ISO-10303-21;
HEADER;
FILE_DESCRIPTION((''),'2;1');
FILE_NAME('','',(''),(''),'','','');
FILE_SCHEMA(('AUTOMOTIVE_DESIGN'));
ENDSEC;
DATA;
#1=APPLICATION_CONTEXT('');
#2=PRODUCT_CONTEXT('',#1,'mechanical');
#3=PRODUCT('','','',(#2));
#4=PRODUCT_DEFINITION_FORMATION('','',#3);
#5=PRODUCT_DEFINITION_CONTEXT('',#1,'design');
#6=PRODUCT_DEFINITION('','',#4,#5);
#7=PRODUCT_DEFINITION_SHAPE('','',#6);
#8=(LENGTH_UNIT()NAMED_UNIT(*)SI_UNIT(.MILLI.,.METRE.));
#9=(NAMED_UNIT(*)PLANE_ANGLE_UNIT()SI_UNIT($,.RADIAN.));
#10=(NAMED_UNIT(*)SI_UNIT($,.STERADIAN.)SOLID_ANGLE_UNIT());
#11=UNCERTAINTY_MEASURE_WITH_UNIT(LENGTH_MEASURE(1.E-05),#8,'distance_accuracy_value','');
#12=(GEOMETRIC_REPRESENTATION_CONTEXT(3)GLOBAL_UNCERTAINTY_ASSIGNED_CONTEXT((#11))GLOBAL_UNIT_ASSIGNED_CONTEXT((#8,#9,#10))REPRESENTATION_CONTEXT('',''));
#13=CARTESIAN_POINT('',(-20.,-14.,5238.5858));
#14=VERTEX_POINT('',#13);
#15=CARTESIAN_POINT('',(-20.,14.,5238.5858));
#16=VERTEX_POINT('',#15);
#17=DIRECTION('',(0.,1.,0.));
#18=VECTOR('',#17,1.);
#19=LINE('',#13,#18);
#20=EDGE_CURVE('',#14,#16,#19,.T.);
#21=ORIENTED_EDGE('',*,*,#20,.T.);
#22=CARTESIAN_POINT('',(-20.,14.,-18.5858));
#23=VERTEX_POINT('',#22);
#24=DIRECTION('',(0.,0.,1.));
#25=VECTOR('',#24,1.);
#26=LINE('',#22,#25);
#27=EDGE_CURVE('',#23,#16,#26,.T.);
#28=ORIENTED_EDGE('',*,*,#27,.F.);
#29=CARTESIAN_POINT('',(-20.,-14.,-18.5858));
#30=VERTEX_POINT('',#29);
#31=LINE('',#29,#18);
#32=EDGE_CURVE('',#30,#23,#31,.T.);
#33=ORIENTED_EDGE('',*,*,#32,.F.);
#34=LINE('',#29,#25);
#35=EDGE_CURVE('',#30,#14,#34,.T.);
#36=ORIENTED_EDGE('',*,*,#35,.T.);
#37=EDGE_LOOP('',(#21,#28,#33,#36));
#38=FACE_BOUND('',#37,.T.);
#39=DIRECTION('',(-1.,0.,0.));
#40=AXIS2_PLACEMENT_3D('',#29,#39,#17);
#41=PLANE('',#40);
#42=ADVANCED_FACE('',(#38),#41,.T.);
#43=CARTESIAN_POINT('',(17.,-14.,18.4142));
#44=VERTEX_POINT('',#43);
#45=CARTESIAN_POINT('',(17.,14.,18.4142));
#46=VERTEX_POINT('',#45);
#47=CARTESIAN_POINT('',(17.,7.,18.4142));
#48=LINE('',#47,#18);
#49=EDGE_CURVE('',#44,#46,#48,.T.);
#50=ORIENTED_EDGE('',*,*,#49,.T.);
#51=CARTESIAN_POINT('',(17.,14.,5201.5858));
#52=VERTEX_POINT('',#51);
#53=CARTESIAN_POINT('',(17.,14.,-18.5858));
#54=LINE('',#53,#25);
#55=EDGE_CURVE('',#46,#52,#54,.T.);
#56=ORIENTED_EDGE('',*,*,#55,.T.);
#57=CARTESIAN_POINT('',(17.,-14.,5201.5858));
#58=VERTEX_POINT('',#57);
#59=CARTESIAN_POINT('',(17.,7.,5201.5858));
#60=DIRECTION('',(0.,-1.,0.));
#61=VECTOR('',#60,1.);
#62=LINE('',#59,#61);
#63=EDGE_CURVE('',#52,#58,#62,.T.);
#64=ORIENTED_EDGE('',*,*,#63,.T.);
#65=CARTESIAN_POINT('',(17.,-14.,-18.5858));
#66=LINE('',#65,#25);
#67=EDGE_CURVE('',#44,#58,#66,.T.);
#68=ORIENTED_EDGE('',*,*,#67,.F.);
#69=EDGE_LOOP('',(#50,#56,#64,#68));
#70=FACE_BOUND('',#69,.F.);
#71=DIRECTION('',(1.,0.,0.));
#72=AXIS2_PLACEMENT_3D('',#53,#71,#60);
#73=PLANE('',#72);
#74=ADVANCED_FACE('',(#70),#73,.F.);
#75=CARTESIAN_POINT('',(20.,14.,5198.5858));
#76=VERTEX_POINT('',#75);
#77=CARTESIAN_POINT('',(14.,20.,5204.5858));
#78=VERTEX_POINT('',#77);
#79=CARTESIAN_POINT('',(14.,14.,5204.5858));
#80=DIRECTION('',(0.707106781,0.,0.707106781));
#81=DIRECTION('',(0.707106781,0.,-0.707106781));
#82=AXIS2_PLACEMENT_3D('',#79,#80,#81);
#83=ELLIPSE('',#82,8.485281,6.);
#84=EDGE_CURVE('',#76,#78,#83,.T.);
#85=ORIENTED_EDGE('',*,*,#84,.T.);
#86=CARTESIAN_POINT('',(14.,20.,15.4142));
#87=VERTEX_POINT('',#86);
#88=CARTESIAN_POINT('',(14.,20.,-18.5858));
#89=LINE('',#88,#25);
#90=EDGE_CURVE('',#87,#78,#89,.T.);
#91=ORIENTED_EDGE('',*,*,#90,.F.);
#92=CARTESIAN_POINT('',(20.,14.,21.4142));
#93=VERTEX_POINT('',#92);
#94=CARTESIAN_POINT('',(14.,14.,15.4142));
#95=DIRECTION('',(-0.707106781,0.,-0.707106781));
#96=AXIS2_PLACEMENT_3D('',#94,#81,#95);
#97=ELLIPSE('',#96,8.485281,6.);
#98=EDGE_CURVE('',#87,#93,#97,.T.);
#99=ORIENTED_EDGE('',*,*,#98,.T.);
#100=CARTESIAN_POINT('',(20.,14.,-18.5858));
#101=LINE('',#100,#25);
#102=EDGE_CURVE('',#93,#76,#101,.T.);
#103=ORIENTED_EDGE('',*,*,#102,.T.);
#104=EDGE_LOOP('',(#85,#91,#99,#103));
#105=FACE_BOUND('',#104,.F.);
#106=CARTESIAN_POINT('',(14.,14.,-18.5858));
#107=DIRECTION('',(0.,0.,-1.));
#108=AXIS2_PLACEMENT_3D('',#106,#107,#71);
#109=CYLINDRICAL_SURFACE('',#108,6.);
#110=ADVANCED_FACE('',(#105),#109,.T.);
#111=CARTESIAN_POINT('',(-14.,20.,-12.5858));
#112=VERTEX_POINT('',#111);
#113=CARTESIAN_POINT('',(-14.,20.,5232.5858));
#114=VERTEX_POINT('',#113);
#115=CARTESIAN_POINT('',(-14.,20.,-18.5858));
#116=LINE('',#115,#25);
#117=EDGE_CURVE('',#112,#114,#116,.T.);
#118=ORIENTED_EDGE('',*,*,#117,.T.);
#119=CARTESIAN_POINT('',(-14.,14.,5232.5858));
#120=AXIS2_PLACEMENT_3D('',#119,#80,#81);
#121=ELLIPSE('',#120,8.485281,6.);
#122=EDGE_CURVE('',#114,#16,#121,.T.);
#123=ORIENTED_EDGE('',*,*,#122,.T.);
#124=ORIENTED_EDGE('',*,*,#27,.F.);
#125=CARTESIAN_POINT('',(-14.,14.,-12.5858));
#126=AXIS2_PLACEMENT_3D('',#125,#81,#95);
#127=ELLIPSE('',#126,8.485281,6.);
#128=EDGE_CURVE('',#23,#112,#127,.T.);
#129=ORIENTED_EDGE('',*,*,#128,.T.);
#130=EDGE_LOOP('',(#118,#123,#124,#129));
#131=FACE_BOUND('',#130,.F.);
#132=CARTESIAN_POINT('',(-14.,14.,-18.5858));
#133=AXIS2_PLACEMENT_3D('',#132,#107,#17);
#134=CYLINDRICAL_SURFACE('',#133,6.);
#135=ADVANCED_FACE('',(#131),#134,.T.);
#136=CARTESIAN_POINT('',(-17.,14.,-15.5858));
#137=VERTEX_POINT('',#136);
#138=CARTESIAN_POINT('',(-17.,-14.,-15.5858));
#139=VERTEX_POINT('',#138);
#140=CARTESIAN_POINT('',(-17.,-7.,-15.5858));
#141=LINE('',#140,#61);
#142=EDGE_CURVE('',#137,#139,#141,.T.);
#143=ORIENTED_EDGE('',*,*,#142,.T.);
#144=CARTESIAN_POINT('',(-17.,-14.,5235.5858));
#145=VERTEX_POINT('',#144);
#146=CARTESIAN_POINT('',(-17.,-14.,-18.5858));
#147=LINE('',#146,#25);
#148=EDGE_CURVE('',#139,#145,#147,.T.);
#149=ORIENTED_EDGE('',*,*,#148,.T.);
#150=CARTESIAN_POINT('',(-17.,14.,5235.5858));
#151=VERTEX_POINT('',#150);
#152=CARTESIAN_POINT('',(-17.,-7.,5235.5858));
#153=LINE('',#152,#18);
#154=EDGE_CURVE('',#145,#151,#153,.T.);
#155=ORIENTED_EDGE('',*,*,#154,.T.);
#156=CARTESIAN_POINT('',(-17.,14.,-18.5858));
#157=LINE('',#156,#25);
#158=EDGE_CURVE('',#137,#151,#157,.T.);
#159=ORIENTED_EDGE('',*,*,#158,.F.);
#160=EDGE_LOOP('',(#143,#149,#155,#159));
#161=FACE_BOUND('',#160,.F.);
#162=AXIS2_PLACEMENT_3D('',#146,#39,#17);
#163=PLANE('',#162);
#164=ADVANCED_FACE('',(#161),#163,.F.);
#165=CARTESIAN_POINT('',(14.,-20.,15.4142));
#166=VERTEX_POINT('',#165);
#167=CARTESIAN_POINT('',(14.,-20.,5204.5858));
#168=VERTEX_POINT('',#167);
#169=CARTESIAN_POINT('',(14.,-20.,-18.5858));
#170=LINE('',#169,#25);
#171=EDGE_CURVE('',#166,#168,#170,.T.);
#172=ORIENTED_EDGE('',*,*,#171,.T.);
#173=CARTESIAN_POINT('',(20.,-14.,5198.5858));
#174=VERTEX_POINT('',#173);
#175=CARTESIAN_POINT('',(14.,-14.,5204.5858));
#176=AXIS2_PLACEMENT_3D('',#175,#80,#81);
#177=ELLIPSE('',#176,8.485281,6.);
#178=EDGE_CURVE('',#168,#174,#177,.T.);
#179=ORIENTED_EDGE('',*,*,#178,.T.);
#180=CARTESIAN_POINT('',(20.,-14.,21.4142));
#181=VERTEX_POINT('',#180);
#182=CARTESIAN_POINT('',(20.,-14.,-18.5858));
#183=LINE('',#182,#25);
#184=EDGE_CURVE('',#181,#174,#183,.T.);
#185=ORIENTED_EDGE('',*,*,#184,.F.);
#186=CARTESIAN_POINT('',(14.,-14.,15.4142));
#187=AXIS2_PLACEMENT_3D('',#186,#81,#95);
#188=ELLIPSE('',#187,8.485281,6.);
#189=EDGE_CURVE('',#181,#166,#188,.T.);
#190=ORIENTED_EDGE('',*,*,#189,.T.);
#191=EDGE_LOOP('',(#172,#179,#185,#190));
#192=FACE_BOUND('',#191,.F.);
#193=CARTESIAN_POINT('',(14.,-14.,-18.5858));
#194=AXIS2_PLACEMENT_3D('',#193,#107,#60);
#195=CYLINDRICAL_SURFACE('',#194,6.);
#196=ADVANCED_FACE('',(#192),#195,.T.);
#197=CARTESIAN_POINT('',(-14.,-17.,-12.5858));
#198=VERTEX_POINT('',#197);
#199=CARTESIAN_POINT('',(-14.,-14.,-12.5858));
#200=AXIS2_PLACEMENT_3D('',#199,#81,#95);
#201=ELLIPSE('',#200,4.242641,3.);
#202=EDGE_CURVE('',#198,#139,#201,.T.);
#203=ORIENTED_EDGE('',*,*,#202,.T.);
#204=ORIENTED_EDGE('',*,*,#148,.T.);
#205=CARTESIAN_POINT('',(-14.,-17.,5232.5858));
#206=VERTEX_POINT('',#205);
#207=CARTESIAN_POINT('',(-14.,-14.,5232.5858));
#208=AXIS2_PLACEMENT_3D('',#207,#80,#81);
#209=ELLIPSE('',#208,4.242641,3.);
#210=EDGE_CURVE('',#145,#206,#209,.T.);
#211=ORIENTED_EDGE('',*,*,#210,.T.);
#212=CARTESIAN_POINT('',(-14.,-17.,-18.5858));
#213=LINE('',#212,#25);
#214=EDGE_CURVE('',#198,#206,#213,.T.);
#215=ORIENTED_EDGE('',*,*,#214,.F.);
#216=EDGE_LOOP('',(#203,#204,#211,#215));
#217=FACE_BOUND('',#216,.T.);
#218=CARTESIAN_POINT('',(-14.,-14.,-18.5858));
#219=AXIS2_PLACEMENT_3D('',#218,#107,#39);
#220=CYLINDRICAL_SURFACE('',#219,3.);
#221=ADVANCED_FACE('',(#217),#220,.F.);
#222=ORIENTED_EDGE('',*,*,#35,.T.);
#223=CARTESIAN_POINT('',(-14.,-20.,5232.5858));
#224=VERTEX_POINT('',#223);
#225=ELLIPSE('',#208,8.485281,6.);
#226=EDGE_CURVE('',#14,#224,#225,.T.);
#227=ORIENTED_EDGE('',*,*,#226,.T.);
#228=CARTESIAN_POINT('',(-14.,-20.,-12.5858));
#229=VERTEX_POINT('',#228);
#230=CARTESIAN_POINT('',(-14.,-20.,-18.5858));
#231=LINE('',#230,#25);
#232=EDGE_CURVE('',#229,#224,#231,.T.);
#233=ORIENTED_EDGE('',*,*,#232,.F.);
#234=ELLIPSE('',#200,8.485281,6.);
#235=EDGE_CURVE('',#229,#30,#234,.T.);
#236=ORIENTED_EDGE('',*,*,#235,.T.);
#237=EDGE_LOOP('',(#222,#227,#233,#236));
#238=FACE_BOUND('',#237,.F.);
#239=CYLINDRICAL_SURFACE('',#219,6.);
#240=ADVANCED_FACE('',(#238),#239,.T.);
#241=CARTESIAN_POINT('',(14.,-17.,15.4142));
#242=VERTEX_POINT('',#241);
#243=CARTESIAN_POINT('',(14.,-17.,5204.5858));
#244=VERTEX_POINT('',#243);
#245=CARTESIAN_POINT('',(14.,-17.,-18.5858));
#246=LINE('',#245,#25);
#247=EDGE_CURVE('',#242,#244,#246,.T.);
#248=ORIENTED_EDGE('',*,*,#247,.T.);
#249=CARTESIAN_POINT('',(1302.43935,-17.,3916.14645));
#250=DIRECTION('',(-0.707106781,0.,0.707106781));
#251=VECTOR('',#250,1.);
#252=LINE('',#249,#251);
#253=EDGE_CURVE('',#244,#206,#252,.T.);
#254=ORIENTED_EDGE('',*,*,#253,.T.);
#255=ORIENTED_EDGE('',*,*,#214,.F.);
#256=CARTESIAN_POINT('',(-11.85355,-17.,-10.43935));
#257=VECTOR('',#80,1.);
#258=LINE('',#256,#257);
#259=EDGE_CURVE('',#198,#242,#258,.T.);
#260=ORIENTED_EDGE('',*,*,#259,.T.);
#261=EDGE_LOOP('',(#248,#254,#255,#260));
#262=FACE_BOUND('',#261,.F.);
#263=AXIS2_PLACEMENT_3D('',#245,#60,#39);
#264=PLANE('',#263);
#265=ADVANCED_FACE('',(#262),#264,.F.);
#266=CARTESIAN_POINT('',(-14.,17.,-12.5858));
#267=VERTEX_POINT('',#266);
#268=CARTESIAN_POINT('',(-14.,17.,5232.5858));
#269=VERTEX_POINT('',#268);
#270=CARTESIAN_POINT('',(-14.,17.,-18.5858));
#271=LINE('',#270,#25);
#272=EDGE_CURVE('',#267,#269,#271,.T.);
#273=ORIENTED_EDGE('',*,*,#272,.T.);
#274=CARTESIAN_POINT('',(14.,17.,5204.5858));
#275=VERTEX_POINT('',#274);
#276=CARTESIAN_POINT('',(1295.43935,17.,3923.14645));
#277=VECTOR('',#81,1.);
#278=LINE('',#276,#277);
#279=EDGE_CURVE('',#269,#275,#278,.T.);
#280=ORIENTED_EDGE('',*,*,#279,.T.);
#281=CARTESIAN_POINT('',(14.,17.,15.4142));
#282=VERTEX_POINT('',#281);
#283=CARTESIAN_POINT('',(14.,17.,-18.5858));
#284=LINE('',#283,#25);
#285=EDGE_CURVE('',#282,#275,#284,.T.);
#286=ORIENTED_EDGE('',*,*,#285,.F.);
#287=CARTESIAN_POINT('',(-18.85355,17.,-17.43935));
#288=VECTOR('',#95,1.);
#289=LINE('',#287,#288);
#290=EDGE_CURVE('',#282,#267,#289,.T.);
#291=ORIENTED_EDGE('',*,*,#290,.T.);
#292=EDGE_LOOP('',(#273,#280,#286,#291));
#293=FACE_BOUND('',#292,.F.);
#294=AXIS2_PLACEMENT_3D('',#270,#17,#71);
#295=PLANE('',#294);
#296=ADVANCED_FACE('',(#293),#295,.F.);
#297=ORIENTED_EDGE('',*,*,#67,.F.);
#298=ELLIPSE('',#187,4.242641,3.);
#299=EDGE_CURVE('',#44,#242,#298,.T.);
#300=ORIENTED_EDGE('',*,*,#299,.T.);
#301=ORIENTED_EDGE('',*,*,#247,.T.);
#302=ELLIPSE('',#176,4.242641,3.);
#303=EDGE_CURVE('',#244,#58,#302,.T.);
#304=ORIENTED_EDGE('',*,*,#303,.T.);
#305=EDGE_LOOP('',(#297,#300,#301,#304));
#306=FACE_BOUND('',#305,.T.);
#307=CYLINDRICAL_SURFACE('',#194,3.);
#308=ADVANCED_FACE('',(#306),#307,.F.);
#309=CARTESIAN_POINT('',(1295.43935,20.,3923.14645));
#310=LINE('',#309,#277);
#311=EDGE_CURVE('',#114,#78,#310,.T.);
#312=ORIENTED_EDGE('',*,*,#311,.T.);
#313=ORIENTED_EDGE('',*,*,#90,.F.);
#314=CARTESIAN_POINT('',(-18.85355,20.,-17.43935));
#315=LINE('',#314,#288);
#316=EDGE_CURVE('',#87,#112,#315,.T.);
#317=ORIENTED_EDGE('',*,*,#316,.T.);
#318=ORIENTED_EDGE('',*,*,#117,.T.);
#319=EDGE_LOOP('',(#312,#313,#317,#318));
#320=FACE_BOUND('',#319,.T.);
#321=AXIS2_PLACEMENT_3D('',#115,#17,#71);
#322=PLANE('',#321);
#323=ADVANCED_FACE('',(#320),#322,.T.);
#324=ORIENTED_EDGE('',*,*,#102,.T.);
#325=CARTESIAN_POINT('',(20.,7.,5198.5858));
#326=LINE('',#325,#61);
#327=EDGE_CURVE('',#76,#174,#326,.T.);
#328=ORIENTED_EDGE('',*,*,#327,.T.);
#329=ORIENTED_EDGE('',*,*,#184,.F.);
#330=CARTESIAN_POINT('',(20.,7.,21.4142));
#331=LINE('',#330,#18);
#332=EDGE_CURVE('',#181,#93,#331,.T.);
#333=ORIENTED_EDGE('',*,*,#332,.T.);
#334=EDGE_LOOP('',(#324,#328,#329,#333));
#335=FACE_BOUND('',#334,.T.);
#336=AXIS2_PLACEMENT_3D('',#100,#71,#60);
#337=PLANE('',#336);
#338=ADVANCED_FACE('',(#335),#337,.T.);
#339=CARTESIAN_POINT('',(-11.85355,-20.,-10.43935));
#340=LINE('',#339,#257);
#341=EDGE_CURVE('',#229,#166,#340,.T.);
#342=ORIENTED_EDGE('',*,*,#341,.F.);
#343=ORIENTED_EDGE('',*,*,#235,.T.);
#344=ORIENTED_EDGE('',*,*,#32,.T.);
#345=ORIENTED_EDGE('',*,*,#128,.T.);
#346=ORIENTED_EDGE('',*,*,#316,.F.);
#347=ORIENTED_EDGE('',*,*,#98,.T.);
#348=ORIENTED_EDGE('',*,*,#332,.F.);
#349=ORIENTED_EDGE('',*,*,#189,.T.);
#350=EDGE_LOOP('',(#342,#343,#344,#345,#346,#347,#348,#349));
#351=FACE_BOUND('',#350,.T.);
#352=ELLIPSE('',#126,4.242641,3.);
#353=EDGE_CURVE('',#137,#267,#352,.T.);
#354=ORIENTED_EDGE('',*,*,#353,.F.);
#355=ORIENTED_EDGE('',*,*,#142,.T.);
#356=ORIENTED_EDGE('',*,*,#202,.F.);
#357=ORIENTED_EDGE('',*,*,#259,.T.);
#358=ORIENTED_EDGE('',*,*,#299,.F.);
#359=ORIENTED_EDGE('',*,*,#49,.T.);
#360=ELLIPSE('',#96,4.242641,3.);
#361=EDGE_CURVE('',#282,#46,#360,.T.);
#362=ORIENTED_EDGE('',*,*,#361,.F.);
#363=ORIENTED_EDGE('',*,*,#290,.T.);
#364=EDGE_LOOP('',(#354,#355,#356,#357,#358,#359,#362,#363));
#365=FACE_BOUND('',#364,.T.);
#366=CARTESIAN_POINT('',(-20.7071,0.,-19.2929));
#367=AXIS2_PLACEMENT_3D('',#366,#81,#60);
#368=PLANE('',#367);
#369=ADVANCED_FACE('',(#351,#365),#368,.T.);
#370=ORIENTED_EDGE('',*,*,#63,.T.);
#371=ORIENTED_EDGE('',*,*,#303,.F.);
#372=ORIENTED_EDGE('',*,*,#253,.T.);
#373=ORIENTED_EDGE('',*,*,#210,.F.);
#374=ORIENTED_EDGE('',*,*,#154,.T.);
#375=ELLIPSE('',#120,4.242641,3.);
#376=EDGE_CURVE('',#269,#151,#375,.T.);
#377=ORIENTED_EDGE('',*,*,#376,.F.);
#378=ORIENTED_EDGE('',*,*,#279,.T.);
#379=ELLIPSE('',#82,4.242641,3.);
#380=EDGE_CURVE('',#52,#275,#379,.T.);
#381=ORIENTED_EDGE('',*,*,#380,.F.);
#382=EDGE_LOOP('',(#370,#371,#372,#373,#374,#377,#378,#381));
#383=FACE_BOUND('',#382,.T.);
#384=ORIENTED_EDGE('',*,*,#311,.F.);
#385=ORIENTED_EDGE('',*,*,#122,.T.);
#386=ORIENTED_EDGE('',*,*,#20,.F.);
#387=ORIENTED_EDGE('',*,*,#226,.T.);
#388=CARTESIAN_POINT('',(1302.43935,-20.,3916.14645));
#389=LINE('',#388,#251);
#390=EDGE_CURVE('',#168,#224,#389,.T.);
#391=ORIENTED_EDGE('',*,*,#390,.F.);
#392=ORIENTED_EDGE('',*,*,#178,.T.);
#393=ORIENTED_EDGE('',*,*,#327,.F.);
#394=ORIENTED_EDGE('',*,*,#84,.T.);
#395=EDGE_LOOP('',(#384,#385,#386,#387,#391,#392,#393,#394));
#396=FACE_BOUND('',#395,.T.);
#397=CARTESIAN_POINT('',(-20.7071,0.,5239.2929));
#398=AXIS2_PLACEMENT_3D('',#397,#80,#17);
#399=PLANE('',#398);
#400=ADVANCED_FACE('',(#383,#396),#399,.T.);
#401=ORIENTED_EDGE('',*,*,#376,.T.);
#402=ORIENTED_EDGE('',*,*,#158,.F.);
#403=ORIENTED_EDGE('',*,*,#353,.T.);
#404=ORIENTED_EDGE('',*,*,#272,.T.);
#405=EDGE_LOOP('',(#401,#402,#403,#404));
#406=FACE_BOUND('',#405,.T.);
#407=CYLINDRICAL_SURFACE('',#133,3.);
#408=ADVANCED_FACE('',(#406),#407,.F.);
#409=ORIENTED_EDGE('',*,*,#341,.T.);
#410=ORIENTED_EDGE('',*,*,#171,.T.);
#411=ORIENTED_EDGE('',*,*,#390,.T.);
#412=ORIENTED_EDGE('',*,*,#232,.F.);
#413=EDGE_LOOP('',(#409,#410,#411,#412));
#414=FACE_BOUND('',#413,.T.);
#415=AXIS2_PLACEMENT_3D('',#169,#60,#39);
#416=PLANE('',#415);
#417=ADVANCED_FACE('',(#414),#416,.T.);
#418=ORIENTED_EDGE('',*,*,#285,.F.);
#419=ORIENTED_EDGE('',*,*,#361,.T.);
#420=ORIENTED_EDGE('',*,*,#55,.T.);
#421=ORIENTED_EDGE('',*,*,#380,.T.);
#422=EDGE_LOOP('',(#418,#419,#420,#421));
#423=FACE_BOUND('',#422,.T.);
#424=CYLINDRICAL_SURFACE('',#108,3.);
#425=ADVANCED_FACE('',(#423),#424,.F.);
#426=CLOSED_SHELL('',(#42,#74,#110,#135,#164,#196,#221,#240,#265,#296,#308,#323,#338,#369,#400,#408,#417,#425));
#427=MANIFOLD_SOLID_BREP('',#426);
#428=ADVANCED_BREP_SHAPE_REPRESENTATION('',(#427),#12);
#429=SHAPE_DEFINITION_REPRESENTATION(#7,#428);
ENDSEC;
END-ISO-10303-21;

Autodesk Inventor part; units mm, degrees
ref_plane "Start Plane" through (0, 0, -18.5858) normal (0, 0, 1) x (1, 0, 0)
ref_plane "End Plane" through (0, 0, 5238.5858) normal (0, 0, 1) x (1, 0, 0)
sketch "Sketch" plane through (0, 0, 0) normal (0, 0, 1) x (1, 0, 0)
  line L0 (-20, -14) -> (-20, 14)
  line L1 (-14, 20) -> (14, 20)
  line L2 (20, 14) -> (20, -14)
  line L3 (14, -20) -> (-14, -20)
  arc A0 (-20, -14) -> (-14, -20) centre (-14, -14) ccw
  arc A1 (20, 14) -> (14, 20) centre (14, 14) ccw
  arc A2 (-14, 20) -> (-20, 14) centre (-14, 14) ccw
  arc A3 (14, -20) -> (20, -14) centre (14, -14) ccw
  arc A4 (-14, 17) -> (-17, 14) centre (-14, 14) ccw
  line L4 (-14, 17) -> (14, 17)
  arc A5 (17, 14) -> (14, 17) centre (14, 14) ccw
  line L5 (17, 14) -> (17, -14)
  arc A6 (14, -17) -> (17, -14) centre (14, -14) ccw
  line L6 (14, -17) -> (-14, -17)
  arc A7 (-17, -14) -> (-14, -17) centre (-14, -14) ccw
  line L7 (-17, -14) -> (-17, 14)
  line L8 (0, 29.7397) -> (0, -29.7397) construction
  line L9 (-29.7397, 0) -> (29.7397, 0) construction
  dimension "d7" = 6
  dimension "d9" = 40
  dimension "d11" = 40
  dimension "d12" = 3
  dimension "d15" = 20
  dimension "d16" = 20
extrude "Body" add sketch "Sketch" along normal up to surface (5257.1716 mm away) from surface at -18.5858
sketch "Sketch3" plane through (0, 0, 0) normal (0, 0, 1) x (1, 0, 0)
  line L0 (0, 0) -> (10, 0)
ref_plane "Work Plane3" through (0, 0, 0) normal (0, -1, 0) x (1, 0, 0)
ref_plane "Work Plane4" through (-20.7071, 0, -19.2929) normal (0.7071, 0, -0.7071) x (-0.7071, 0, -0.7071)
split "Split1" plane through (-20.7071, 0, -19.2929) removes the side toward (0.7071, 0, -0.7071)
ref_plane "Work Plane5" through (-20.7071, 0, 5239.2929) normal (0.7071, 0, 0.7071) x (0.7071, 0, -0.7071)
split "Split2" plane through (-20.7071, 0, 5239.2929) removes the side toward (0.7071, 0, 0.7071)
sketch "Sketch4" plane through (0, 0, 0) normal (0, -1, 0) x (1, 0, 0)
  line L0 (-2, -18.5858) -> (12, -18.5858) projected
  line L1 (-2, 5238.5858) -> (12, 5238.5858) projected
  dimension "d18" = 5257.1716
equation "\"d7\" = G_IR"
equation "\"d9\" = G_W"
equation "\"d11\" = G_H"
equation "\"d12\" = G_T"
equation "\"d15\" = 0.5 * d9"
equation "\"d16\" = 0.5 * d11"
equation "\"d3\" = G_L"
equation "\"G_W\" = 40"
equation "\"G_H\" = 40"
equation "\"G_T\" = 3"
equation "\"G_IR\" = 6"
equation "\"G_L\" = d18"
equation "\"G_OFFSET_START\" = 18.58579"
equation "\"G_OFFSET_END\" = 18.58579"
equation "\"d13\" = -G_OFFSET_START"
equation "\"d14\" = G_OFFSET_END + B_L"
equation "\"B_L\" = 5220"
properties part number "ISO 10799-2 - 40x40x3 - 5257,17" material "Steel, Mild"
